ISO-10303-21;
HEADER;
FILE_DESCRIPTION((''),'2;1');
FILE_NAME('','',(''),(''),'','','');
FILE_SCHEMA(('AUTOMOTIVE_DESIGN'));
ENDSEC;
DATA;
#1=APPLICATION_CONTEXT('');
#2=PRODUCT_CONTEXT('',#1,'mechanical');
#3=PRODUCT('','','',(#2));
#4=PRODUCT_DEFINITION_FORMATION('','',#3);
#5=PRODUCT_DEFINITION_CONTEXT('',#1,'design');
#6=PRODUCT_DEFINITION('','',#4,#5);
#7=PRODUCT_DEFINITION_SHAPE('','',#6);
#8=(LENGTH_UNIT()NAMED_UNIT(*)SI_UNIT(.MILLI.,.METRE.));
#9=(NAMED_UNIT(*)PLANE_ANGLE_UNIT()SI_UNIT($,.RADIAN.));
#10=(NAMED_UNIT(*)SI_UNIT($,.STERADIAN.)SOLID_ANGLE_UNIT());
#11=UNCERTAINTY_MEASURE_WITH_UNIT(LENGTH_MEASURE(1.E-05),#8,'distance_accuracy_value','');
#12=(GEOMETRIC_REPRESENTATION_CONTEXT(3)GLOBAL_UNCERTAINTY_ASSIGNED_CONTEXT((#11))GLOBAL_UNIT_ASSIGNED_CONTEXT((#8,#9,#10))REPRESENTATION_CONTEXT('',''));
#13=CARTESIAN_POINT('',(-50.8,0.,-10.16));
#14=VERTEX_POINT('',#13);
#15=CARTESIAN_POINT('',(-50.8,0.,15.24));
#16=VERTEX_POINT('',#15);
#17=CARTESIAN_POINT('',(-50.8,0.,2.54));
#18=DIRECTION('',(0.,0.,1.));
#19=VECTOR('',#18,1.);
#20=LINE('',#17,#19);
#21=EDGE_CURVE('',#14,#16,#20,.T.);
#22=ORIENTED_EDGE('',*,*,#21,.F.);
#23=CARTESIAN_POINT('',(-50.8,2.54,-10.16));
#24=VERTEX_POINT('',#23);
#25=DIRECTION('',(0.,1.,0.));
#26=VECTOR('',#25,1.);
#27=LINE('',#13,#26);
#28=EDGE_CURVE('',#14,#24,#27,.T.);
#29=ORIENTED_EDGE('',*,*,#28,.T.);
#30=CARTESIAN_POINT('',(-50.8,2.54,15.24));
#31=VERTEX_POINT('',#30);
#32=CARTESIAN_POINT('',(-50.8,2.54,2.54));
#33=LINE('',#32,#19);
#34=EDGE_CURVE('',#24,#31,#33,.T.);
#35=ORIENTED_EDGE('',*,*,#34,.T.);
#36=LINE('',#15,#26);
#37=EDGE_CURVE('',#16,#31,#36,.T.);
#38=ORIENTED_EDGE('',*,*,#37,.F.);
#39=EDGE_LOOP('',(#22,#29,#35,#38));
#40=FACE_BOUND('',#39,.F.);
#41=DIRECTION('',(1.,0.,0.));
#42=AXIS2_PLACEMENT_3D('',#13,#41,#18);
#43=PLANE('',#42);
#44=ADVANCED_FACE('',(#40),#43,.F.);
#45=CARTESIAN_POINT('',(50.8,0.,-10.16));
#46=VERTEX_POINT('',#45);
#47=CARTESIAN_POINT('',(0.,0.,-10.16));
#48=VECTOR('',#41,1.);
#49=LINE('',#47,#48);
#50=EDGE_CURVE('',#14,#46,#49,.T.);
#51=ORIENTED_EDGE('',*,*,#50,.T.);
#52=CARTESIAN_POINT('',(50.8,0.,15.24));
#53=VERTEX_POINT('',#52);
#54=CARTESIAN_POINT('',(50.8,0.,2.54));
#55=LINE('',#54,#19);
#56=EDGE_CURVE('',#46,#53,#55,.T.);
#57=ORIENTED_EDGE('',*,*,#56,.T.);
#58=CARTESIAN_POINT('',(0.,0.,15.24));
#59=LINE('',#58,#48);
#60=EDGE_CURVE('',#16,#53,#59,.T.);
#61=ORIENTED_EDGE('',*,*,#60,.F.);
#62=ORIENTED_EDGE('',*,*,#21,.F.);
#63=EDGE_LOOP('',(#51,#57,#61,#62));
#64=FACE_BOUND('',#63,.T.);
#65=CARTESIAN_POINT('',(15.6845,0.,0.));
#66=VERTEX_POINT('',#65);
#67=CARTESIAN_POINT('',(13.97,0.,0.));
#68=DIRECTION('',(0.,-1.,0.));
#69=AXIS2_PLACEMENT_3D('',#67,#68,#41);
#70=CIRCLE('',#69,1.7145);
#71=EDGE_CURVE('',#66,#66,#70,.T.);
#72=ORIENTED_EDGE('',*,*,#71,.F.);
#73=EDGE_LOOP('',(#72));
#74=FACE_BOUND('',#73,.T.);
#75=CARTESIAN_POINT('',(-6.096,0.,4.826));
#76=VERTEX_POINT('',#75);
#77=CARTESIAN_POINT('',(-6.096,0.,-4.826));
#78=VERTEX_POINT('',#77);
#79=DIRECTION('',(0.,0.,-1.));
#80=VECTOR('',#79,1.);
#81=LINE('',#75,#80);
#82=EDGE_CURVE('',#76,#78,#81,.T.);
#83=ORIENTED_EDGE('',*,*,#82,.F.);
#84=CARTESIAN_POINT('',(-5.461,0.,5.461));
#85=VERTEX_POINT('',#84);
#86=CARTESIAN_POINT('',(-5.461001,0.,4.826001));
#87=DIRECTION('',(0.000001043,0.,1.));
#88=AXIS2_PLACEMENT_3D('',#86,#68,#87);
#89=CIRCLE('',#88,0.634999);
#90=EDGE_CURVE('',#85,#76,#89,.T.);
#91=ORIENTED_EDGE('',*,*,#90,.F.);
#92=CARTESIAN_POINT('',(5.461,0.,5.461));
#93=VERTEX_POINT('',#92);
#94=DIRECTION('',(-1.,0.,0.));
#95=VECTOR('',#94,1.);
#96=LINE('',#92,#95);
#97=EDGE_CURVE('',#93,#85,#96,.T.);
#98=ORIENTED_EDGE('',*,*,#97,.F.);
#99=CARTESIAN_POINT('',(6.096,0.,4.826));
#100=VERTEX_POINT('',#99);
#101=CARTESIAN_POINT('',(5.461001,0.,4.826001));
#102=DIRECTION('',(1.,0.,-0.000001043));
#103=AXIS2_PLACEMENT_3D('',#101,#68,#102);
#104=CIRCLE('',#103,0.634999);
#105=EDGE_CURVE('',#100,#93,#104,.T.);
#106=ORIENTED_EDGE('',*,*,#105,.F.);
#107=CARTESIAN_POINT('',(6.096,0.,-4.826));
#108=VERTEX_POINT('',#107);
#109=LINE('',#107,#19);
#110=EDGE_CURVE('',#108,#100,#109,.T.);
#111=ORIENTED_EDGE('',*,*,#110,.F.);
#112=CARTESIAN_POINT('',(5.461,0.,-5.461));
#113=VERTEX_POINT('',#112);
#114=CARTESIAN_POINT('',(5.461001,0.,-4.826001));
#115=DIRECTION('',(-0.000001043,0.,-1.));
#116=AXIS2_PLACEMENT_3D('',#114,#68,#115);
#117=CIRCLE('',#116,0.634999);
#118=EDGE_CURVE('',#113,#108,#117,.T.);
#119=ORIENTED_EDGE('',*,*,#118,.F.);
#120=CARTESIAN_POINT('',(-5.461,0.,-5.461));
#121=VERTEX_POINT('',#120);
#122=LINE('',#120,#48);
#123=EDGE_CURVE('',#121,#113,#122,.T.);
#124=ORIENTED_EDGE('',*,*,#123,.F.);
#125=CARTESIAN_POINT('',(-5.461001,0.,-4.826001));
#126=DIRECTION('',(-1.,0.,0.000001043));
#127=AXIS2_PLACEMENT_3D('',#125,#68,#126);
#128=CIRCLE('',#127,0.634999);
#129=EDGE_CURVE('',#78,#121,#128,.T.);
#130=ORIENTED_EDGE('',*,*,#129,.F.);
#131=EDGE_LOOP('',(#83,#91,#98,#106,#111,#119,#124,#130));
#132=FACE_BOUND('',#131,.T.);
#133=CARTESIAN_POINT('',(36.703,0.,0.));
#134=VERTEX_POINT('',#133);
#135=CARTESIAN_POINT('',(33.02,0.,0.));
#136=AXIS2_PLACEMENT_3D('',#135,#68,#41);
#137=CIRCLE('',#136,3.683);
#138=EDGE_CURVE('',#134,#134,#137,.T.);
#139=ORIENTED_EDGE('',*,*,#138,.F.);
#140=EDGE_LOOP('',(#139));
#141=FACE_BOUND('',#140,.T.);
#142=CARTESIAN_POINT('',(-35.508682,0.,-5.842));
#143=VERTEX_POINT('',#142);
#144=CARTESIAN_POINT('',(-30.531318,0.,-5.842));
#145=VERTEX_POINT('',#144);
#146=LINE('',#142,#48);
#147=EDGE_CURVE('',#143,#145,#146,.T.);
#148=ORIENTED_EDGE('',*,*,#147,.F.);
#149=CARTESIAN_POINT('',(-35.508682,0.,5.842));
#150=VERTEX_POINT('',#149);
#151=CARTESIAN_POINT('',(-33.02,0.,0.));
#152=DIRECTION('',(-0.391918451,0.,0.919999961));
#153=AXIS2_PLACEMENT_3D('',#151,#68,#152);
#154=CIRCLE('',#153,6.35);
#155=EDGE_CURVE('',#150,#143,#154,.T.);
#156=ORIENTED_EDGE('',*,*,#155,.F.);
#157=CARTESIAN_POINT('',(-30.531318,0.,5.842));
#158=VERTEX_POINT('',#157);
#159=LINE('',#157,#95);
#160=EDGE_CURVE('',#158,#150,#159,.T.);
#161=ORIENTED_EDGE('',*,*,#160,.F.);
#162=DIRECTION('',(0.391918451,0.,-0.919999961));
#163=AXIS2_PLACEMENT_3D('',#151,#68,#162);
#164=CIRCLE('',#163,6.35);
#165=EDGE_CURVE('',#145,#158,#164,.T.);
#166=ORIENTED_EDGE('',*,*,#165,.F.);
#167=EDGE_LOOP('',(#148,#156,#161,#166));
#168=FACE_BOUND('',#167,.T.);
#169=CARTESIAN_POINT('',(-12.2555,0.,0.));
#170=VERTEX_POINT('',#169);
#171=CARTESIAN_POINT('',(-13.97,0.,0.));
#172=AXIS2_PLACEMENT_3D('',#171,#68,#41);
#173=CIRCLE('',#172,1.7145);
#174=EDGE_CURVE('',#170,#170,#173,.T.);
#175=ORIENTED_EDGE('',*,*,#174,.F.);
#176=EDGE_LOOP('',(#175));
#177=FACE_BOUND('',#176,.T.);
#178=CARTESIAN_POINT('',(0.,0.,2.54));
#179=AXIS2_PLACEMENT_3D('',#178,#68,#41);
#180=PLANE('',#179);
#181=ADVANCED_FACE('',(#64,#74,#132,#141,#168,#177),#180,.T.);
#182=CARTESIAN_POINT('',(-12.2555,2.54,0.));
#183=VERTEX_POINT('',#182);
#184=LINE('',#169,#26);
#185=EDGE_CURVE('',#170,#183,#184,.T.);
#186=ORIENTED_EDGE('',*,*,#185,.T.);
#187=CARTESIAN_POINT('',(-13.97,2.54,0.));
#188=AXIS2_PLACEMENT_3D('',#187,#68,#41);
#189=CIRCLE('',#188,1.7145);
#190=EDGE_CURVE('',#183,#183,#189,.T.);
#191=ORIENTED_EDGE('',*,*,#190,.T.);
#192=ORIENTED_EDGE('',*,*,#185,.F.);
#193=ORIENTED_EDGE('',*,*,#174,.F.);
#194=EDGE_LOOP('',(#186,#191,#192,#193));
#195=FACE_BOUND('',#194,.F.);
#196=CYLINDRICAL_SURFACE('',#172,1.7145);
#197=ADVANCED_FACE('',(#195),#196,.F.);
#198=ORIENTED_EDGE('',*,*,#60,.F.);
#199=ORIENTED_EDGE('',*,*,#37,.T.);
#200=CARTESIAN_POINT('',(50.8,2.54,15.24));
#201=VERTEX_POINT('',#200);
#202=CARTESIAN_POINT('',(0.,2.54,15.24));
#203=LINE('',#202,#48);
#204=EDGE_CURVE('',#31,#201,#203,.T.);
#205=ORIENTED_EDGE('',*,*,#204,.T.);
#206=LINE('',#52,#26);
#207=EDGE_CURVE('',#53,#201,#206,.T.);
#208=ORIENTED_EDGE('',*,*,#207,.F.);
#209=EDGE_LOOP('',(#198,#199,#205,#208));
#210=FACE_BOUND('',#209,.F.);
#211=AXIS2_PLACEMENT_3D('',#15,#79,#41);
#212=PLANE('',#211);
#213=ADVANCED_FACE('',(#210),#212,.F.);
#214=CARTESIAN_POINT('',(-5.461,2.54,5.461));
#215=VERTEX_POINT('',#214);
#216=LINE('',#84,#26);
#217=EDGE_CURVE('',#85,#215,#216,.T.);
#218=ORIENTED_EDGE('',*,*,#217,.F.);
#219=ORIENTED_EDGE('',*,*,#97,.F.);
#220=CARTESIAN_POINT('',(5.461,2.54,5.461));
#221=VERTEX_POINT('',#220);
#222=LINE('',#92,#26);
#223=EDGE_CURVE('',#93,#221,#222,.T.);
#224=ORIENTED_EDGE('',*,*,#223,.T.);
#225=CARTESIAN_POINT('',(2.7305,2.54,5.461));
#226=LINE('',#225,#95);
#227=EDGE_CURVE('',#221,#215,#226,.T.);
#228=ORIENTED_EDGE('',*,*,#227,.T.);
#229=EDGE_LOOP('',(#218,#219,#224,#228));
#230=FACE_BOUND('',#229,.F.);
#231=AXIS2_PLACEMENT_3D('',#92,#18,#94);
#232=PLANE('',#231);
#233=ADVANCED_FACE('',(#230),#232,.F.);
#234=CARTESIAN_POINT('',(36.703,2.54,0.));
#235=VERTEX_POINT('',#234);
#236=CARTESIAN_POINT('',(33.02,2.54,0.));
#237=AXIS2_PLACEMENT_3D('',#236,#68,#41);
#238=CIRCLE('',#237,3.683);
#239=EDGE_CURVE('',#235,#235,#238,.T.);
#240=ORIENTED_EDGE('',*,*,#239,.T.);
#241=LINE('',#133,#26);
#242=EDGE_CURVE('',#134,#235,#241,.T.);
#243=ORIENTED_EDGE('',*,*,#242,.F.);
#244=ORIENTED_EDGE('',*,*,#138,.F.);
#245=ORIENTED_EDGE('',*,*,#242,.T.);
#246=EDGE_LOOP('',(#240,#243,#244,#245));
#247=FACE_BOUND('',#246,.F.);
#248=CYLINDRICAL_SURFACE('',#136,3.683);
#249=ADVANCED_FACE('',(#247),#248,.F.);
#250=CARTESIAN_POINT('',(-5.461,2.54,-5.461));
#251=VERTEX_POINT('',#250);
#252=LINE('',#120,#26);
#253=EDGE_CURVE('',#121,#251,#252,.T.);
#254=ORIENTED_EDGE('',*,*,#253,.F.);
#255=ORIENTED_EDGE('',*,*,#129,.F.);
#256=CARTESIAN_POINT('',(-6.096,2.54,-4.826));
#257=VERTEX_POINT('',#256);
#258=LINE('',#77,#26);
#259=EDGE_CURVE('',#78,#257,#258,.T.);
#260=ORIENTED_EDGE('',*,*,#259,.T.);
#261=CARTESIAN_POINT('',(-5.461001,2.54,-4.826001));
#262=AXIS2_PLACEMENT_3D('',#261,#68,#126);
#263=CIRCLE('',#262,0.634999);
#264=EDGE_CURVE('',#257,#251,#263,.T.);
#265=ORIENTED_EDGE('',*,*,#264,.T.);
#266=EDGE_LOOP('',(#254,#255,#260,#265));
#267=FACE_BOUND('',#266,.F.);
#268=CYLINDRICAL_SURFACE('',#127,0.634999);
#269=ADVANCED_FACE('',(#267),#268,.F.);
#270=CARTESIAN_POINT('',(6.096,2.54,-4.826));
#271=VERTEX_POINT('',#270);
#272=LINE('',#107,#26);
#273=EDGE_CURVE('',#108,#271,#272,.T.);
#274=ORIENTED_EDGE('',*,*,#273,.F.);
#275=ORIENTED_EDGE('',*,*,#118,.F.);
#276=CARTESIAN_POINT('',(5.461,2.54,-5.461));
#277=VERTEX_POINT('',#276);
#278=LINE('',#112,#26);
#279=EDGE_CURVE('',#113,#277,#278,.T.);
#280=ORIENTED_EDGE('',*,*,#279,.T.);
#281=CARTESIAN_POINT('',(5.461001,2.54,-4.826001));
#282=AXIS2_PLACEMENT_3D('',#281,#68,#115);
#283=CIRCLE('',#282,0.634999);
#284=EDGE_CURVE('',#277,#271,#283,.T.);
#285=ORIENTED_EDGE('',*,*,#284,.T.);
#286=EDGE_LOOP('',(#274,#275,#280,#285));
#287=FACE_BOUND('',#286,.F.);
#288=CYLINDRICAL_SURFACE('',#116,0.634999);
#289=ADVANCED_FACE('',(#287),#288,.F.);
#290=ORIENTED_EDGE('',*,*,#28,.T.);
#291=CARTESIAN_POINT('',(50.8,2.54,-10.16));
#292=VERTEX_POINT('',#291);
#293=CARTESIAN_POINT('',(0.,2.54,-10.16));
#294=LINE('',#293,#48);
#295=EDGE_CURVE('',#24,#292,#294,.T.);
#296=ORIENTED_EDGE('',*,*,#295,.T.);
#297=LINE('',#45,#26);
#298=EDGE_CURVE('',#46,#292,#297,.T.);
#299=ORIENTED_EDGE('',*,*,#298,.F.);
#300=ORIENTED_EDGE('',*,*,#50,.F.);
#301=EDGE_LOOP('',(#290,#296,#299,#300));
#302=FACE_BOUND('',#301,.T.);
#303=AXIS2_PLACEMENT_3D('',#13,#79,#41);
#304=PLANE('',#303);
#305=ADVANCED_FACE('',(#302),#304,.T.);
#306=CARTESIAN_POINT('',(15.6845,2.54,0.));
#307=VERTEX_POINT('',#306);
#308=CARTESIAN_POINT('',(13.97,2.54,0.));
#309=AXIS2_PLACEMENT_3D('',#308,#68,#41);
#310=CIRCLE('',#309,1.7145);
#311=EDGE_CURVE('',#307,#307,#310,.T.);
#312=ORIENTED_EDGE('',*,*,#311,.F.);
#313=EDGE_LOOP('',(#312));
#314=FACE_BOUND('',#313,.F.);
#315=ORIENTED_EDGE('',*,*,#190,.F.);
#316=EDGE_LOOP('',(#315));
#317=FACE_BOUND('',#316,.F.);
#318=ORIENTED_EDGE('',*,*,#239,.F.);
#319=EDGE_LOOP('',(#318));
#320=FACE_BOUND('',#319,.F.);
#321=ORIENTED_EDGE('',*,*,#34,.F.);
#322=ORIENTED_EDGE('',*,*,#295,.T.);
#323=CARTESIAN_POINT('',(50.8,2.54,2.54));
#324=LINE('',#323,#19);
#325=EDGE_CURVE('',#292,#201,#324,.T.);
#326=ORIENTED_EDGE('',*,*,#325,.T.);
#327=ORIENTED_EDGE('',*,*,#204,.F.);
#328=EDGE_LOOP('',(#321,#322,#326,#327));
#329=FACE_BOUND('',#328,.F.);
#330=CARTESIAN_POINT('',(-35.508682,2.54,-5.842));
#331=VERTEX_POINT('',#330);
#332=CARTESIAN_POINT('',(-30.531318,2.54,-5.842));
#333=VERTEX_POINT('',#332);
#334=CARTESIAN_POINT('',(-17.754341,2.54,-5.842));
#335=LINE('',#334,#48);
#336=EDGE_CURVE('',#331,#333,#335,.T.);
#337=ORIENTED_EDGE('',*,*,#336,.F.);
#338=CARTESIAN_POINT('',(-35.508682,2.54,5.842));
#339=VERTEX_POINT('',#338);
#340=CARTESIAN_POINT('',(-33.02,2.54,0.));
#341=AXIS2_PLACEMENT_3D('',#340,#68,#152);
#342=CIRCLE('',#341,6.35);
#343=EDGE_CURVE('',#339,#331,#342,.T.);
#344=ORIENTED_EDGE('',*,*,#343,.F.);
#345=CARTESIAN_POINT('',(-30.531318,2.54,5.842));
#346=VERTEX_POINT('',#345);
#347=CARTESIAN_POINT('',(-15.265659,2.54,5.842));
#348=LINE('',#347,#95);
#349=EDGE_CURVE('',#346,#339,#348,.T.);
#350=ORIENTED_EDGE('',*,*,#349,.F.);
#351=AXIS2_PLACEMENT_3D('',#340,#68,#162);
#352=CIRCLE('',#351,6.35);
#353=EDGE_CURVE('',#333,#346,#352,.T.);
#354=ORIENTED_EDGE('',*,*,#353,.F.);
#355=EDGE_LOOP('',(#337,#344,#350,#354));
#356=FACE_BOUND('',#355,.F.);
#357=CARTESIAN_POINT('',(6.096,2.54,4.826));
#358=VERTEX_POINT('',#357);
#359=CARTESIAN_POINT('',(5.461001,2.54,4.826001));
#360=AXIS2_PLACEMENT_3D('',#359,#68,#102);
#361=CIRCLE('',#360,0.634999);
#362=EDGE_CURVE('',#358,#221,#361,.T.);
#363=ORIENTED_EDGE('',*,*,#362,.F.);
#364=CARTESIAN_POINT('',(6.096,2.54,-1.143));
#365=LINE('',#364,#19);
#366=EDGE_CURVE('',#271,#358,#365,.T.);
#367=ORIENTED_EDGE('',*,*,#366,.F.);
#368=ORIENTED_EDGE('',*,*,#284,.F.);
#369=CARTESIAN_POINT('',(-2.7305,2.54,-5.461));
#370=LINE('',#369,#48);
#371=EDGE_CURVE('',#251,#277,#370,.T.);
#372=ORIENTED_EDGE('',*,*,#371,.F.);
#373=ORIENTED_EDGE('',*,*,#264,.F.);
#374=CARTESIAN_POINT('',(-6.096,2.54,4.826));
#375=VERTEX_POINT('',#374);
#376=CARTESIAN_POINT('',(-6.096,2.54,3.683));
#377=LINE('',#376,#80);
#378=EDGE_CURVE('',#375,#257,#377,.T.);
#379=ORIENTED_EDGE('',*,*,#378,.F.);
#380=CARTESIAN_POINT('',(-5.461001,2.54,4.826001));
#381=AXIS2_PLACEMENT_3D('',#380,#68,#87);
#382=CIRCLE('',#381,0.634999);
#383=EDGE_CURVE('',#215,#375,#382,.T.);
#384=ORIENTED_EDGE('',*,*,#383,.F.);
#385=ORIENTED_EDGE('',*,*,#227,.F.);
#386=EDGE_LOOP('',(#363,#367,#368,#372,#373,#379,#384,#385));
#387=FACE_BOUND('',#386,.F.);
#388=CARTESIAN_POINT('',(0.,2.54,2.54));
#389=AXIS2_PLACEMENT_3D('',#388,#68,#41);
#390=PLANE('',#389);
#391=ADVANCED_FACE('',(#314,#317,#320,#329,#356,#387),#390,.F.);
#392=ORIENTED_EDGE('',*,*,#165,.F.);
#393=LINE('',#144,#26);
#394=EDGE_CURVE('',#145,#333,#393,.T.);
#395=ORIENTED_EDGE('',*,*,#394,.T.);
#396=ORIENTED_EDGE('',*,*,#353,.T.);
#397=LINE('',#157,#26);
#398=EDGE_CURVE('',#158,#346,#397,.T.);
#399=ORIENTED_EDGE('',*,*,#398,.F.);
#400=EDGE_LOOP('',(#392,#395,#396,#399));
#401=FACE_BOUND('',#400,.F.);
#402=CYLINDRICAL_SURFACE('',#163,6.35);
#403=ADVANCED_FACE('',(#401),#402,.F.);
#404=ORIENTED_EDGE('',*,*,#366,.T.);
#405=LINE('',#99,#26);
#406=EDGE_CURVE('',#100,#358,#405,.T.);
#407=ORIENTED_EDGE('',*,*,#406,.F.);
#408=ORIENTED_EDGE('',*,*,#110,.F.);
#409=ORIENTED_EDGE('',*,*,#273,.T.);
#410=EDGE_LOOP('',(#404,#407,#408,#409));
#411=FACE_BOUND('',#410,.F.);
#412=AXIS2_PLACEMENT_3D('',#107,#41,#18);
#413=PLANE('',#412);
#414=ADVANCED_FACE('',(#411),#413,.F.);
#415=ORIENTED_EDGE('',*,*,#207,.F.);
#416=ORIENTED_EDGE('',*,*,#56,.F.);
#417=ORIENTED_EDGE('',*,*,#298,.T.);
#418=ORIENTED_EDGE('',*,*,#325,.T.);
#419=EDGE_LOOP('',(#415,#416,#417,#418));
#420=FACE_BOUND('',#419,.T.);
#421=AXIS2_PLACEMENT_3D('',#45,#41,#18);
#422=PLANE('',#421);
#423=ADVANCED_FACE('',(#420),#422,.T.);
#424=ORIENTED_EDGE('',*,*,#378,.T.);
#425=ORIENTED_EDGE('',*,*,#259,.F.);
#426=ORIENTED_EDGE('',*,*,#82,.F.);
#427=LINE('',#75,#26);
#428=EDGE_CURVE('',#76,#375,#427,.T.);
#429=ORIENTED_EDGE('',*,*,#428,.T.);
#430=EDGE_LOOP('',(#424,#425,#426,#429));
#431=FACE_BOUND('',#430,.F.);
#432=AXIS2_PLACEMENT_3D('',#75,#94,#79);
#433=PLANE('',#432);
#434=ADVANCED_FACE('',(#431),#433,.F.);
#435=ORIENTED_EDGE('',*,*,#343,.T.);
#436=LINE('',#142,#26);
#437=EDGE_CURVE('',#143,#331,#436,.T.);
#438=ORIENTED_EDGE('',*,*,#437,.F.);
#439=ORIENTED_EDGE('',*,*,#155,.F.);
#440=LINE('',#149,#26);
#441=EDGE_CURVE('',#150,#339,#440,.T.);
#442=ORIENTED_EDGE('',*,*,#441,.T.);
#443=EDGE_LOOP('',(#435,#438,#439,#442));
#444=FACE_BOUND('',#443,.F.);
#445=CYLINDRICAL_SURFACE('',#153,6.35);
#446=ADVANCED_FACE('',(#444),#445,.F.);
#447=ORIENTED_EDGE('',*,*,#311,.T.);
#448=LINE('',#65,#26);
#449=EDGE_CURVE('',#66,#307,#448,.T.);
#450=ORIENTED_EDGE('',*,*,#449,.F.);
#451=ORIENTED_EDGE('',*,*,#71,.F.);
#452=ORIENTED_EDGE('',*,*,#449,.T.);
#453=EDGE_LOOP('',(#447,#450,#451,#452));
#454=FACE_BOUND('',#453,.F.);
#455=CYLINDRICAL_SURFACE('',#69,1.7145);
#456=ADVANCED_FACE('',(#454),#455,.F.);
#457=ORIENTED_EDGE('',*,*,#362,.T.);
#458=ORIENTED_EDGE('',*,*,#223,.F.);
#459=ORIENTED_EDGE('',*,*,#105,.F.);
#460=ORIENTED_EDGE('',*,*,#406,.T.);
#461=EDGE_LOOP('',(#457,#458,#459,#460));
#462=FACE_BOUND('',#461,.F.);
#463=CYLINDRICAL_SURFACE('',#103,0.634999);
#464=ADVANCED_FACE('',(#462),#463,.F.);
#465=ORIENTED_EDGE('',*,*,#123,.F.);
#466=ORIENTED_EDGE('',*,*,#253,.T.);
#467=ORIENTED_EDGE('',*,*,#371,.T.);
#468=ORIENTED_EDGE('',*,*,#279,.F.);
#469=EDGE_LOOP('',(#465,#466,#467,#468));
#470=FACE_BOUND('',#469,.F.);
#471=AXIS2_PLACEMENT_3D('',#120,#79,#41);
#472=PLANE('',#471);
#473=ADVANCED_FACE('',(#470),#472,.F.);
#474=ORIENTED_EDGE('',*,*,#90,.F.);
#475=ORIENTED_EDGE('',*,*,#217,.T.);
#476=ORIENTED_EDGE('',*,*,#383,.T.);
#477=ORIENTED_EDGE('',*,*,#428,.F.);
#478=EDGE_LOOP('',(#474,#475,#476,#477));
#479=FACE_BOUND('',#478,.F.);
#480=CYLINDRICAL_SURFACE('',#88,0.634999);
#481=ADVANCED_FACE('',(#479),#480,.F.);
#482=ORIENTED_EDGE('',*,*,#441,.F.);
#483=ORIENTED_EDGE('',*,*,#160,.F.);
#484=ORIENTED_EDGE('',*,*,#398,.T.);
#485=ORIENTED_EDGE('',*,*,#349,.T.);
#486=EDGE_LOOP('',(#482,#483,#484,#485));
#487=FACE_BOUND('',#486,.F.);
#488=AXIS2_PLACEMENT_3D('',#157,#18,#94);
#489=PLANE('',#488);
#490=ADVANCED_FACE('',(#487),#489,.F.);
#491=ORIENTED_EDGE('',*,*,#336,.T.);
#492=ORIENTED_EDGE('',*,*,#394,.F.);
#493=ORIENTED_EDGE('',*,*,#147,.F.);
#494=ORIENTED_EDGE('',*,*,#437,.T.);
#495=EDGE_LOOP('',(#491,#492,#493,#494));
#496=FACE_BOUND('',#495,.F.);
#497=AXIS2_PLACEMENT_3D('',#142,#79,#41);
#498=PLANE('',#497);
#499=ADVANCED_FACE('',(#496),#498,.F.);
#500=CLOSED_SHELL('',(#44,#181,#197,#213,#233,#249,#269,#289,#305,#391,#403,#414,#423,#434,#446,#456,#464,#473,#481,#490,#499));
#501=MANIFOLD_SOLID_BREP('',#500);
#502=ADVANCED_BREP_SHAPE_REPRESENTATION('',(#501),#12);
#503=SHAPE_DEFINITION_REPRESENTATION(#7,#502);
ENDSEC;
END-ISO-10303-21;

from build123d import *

# Parameters (mm, degrees)
F0_W     = 101.6
F0_H     = 25.4
F1_DEPTH = 2.54
F2_R     = 1.7145
F2_R_2   = 3.683
F3_DEPTH = 2.541


with BuildPart() as f1:
    # F0 (on Front) → F1 (new body)
    with BuildSketch(Plane.XZ):
        with Locations((0, 2.54)):
            Rectangle(F0_W, F0_H)
    extrude(amount=-F1_DEPTH)

    # F2 (on face) → F3 (cut, through all)
    with BuildSketch(Plane.XZ):
        with BuildLine():
            Line((-30.531318, 5.842), (-35.508682, 5.842))
            ThreePointArc((-35.508682, 5.842), (-39.37, 0), (-35.508682, -5.842))
            Line((-35.508682, -5.842), (-30.531318, -5.842))
            ThreePointArc((-30.531318, -5.842), (-26.67, 0), (-30.531318, 5.842))
        make_face()
        with Locations((-13.97, 0)):
            Circle(F2_R)
        with Locations((13.97, 0)):
            Circle(F2_R)
        with Locations((33.02, 0)):
            Circle(F2_R_2)
        with BuildLine():
            ThreePointArc((6.096, 4.826), (5.910013, 5.275013), (5.461, 5.461))
            Line((5.461, 5.461), (-5.461, 5.461))
            ThreePointArc((-5.461, 5.461), (-5.910013, 5.275013), (-6.096, 4.826))
            Line((-6.096, 4.826), (-6.096, -4.826))
            ThreePointArc((-6.096, -4.826), (-5.910013, -5.275013), (-5.461, -5.461))
            Line((-5.461, -5.461), (5.461, -5.461))
            ThreePointArc((5.461, -5.461), (5.910013, -5.275013), (6.096, -4.826))
            Line((6.096, -4.826), (6.096, 4.826))
        make_face()
    extrude(amount=-F3_DEPTH, mode=Mode.SUBTRACT)


solid = f1.part
